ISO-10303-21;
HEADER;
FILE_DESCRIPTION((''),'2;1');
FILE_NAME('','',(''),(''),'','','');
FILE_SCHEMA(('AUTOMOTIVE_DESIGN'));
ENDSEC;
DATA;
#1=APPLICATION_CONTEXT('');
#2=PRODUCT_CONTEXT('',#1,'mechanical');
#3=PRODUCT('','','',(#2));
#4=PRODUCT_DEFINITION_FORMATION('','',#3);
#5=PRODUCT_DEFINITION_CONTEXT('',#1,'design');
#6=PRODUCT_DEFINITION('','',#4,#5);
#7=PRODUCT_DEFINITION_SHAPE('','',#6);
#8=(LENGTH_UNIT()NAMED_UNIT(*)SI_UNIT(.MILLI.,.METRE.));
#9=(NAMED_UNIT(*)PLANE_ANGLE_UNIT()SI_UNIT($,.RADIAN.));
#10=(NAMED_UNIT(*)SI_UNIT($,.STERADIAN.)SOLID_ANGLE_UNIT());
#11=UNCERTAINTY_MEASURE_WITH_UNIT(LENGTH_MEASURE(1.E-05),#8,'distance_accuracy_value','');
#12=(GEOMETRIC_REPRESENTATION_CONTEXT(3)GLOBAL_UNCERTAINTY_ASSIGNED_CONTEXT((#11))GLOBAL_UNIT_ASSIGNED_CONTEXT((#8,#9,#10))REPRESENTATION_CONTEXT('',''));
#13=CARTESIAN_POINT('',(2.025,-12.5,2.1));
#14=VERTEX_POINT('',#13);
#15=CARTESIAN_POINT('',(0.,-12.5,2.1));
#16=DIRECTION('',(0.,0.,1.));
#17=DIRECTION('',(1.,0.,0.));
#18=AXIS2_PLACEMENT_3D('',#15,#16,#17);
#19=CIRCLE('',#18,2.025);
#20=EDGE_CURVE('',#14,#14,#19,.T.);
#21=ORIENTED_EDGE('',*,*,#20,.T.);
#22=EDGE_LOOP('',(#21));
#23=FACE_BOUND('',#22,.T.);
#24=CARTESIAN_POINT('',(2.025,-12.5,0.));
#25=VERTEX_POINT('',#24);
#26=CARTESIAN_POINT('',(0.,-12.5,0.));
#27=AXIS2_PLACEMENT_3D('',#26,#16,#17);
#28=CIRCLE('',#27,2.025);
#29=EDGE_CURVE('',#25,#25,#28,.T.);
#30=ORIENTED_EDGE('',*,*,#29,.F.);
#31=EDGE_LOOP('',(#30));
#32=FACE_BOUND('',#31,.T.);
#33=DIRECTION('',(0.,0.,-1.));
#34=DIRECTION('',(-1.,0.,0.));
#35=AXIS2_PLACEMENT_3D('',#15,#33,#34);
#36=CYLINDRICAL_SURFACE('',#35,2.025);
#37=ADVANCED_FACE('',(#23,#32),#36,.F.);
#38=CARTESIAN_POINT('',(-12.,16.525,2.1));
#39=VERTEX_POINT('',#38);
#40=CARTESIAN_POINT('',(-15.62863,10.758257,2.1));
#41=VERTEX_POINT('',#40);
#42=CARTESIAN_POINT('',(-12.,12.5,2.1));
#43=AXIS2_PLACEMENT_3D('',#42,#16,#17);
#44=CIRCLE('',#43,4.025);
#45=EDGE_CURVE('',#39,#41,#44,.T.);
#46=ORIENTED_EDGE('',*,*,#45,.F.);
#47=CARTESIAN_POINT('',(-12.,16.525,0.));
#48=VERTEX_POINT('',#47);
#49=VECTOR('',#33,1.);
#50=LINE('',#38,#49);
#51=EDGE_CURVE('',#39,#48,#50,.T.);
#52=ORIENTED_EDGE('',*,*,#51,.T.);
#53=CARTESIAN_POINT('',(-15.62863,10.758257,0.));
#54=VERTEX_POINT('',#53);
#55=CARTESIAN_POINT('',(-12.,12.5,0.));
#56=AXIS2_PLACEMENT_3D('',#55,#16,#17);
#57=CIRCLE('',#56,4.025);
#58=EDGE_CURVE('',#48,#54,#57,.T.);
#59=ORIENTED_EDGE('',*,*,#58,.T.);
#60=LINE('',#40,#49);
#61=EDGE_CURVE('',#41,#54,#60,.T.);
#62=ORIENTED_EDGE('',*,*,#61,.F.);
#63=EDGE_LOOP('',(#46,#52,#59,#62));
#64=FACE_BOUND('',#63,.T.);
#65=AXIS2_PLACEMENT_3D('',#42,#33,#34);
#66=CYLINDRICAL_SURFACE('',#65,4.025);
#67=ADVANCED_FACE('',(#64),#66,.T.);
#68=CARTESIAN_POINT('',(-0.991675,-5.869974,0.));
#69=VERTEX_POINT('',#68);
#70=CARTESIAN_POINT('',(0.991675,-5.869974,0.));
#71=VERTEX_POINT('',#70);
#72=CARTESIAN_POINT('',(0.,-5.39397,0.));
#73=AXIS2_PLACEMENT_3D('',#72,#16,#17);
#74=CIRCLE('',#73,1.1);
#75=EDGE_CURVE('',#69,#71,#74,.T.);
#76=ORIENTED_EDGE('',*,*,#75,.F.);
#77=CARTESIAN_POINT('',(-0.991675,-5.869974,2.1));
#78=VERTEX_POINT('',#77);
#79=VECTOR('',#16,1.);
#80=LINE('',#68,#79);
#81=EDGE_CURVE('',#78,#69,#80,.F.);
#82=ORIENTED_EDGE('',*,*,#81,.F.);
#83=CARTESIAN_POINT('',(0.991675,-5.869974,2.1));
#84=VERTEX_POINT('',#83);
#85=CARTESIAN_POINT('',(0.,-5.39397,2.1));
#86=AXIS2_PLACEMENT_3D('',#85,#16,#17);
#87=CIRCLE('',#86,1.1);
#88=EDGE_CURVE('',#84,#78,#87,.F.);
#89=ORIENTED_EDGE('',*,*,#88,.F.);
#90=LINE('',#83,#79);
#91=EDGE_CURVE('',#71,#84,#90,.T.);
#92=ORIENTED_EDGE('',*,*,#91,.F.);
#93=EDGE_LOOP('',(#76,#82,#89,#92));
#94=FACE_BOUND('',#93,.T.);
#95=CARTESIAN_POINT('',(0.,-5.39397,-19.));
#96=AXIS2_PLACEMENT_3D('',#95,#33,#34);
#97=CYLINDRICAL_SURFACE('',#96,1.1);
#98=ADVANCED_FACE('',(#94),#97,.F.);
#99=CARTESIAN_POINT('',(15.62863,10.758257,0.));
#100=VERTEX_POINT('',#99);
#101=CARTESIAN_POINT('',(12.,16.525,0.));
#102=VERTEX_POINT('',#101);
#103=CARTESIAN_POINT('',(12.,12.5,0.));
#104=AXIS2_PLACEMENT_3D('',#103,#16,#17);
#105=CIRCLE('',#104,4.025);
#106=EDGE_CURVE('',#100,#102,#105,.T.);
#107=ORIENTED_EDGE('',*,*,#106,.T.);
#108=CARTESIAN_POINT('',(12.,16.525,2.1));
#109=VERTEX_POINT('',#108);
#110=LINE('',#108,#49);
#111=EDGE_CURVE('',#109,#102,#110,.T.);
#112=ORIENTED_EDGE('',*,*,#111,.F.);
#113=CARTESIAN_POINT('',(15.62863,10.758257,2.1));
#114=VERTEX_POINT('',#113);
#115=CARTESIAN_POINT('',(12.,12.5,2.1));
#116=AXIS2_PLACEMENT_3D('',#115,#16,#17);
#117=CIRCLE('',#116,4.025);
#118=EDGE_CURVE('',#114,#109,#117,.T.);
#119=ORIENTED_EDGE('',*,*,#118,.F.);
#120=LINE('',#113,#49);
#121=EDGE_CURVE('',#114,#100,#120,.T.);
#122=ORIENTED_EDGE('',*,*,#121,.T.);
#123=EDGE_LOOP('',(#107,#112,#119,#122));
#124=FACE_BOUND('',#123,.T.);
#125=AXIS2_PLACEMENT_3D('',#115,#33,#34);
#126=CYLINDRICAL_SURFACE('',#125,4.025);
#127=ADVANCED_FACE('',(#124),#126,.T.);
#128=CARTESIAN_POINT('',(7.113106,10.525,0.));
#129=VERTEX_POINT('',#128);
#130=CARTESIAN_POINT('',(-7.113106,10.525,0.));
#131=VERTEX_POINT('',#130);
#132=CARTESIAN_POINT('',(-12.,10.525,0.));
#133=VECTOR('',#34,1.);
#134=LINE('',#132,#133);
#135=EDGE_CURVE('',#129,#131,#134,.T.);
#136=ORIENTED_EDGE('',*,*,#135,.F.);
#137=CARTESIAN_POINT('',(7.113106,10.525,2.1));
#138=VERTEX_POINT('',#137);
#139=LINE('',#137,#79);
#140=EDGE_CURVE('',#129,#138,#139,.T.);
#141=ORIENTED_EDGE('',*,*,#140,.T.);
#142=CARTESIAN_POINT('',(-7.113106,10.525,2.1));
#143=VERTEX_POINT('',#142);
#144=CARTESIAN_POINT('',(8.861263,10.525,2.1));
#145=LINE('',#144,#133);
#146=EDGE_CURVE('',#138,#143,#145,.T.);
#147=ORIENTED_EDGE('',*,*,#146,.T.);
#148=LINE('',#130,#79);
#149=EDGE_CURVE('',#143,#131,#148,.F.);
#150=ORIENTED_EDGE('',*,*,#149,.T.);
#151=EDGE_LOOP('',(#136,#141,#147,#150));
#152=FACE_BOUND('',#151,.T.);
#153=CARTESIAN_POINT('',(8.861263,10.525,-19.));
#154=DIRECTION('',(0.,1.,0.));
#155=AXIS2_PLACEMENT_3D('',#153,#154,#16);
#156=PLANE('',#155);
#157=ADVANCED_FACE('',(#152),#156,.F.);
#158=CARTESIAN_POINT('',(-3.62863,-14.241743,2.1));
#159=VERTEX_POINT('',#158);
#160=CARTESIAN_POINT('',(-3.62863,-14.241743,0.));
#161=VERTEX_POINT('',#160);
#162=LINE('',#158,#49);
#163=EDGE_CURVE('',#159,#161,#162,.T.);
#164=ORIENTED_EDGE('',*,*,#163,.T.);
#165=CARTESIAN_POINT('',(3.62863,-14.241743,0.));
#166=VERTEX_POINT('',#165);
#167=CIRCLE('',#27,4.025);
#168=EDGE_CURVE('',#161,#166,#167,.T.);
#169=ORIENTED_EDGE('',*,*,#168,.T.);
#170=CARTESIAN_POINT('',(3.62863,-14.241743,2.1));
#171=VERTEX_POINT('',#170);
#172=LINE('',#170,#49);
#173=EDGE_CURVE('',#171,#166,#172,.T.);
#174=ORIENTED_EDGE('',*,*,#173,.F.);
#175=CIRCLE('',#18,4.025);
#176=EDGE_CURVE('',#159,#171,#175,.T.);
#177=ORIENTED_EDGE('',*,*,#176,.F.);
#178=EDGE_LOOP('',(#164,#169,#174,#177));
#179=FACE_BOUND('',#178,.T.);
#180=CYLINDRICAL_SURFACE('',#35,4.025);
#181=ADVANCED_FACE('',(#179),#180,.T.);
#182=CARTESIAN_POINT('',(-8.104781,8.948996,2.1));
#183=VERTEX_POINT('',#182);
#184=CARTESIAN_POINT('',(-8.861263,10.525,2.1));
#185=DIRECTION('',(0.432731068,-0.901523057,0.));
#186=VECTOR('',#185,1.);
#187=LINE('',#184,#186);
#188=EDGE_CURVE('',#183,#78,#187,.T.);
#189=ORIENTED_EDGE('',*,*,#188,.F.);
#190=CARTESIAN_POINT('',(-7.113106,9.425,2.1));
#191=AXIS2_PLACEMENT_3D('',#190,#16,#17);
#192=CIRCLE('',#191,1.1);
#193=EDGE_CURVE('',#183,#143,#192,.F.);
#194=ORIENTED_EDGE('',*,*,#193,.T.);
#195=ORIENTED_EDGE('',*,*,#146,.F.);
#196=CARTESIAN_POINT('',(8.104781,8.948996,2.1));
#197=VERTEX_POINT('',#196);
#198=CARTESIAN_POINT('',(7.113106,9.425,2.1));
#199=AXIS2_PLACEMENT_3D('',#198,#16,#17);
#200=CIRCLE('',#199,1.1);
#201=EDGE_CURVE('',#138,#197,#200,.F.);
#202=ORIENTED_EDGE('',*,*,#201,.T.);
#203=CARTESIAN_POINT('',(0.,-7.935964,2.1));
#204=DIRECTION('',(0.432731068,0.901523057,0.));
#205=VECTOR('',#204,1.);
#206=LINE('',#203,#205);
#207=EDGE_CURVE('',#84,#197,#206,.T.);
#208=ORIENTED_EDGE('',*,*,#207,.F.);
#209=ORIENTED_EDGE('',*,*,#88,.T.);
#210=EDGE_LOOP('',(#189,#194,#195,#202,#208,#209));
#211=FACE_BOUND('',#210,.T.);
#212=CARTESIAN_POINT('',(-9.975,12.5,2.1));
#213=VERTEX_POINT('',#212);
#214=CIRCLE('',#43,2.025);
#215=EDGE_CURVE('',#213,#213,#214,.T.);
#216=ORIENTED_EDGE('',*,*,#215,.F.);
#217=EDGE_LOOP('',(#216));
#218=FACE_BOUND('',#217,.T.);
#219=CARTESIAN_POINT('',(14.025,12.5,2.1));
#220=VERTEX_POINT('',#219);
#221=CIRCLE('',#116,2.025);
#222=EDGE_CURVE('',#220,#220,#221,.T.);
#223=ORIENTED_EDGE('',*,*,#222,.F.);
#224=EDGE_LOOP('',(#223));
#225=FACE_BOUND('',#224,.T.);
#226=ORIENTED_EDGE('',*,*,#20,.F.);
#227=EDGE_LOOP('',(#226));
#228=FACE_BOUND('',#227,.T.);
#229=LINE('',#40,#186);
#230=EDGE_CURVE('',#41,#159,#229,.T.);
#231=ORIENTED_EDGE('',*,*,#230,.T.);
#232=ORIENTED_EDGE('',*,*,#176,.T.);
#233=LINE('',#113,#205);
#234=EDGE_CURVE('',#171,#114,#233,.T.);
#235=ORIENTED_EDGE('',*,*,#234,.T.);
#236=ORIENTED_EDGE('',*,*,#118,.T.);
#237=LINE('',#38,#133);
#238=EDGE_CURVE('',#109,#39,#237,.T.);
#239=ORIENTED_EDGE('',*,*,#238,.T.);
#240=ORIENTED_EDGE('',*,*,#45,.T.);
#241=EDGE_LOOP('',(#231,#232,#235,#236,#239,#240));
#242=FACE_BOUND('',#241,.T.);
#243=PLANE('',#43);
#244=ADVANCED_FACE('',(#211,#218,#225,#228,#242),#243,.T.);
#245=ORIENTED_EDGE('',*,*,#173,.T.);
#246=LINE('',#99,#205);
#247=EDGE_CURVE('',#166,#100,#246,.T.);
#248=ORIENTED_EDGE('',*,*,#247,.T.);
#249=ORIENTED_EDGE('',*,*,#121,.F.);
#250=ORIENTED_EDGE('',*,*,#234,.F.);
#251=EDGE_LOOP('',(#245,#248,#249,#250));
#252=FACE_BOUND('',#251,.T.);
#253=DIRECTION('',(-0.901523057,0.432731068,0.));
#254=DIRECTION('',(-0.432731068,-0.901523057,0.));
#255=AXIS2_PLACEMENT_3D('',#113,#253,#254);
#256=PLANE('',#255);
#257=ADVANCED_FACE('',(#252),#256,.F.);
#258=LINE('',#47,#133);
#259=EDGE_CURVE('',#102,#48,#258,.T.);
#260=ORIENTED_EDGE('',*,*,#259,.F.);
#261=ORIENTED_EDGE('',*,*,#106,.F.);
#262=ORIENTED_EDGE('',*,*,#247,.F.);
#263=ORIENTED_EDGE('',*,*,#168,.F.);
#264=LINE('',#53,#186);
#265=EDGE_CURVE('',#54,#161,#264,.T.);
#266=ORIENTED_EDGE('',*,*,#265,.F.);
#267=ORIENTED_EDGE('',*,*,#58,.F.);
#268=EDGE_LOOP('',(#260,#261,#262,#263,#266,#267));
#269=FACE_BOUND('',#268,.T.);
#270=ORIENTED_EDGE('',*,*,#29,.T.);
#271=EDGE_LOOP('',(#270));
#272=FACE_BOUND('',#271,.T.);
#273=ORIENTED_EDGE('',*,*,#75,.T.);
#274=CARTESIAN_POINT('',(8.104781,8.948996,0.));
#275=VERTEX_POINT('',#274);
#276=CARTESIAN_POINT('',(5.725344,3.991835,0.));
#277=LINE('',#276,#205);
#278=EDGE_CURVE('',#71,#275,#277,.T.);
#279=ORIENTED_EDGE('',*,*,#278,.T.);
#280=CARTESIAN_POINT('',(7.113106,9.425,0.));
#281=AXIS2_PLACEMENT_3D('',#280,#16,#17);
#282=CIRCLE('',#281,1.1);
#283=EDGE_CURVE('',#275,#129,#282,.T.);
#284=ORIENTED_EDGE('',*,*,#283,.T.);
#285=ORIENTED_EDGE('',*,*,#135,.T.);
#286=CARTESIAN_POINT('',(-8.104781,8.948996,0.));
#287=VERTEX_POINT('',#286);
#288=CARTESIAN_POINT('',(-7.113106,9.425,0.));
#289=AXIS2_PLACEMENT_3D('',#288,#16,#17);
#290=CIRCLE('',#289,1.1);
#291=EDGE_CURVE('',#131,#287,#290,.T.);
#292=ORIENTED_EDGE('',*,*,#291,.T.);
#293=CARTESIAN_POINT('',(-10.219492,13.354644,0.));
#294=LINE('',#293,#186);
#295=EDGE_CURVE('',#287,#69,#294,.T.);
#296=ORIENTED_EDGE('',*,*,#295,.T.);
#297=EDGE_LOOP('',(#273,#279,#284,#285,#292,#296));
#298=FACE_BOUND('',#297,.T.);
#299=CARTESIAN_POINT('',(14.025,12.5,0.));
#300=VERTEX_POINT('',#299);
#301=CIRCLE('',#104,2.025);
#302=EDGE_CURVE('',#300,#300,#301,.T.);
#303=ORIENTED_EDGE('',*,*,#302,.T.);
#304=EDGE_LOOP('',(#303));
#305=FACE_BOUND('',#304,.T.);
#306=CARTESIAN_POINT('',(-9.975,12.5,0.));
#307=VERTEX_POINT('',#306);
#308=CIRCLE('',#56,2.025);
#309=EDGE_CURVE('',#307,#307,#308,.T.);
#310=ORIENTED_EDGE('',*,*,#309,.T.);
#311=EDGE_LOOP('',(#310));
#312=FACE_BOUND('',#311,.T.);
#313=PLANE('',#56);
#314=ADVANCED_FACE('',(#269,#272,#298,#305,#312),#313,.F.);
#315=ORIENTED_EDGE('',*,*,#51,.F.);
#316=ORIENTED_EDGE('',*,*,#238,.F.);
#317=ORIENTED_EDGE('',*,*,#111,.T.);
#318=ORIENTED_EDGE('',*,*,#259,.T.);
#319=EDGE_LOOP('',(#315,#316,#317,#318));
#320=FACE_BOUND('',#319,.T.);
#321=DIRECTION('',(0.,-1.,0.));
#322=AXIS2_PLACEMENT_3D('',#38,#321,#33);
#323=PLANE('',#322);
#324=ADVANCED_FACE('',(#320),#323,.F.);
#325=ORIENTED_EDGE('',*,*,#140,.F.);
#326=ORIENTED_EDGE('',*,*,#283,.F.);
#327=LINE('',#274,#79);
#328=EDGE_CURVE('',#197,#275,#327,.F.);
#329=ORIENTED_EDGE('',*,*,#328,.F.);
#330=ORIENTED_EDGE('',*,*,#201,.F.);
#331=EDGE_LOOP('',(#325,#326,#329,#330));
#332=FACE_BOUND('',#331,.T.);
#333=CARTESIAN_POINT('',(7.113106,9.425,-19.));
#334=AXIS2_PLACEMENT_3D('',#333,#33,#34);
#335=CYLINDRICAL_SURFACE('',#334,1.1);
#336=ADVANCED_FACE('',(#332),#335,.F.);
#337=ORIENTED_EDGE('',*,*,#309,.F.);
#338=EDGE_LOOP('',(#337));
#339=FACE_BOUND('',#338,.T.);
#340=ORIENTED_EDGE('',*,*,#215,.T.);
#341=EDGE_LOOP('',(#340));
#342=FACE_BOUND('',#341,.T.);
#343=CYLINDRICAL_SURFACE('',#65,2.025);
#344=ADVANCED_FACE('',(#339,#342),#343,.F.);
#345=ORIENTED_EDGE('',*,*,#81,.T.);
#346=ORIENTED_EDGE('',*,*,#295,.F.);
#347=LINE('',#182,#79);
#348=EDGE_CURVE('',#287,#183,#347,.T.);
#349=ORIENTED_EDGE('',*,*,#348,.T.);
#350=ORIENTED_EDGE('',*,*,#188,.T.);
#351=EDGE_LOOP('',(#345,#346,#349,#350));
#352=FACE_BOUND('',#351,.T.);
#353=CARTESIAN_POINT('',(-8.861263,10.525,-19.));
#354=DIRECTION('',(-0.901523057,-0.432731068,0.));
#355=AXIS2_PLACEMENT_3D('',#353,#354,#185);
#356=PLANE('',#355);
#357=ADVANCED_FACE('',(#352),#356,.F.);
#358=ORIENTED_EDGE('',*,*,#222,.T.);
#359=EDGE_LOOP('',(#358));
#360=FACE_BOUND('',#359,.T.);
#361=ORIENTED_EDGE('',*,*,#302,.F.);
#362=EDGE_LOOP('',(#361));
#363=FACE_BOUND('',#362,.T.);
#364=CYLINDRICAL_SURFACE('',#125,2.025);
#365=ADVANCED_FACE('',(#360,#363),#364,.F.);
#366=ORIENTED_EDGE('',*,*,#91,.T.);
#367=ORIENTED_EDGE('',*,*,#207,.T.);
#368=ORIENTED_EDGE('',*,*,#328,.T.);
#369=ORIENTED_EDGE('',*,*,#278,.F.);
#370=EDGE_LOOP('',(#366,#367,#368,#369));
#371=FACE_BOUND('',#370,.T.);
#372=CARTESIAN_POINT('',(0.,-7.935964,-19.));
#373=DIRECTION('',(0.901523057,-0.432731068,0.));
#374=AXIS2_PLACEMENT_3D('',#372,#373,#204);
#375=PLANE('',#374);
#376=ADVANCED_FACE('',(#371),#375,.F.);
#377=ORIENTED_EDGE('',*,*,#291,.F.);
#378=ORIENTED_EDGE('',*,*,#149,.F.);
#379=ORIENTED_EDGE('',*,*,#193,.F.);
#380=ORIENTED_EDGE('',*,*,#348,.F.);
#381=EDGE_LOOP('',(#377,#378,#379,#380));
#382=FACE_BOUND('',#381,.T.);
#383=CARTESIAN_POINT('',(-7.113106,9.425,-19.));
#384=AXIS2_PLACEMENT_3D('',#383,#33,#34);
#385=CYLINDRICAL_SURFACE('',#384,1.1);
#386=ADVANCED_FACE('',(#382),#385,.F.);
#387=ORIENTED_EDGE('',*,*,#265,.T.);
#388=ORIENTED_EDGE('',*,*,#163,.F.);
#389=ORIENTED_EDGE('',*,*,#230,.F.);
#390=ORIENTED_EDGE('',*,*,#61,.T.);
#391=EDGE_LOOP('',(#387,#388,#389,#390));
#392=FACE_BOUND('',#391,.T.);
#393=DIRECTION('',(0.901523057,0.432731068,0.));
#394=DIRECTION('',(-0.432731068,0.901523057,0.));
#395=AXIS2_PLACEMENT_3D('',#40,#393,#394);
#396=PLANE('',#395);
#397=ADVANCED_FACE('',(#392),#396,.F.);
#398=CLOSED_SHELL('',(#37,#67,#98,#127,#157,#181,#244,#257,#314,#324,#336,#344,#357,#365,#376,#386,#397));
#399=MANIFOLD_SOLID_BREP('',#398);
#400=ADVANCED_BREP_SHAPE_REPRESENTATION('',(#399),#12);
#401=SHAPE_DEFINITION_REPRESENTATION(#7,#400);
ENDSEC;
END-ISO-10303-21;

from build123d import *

# Parameters (mm, degrees)
SKETCH_1_R          = 2.025
EXTRUDE_1_DEPTH     = 2.1
CUT_EXTRUDE_1_DEPTH = 21.1
FILLET_1_R          = 1.1


with BuildPart() as part:
    # 草图1 → 凸台-拉伸1 (new body)
    with BuildSketch(Plane.XY):
        with BuildLine():
            Line((-12, 16.525), (12, 16.525))
            ThreePointArc((12, 16.525), (15.406694788, 14.643608085), (15.628630306, 10.758257453))
            Line((15.628630306, 10.758257453), (3.628630306, -14.241742547))
            ThreePointArc((3.628630306, -14.241742547), (0, -16.525), (-3.628630306, -14.241742547))
            Line((-3.628630306, -14.241742547), (-15.628630306, 10.758257453))
            ThreePointArc((-15.628630306, 10.758257453), (-15.406694788, 14.643608085), (-12, 16.525))
        make_face()
        with Locations((-12, 12.5)):
            Circle(SKETCH_1_R, mode=Mode.SUBTRACT)
        with Locations((12, 12.5)):
            Circle(SKETCH_1_R, mode=Mode.SUBTRACT)
        with Locations((0, -12.5)):
            Circle(SKETCH_1_R, mode=Mode.SUBTRACT)
    extrude(amount=EXTRUDE_1_DEPTH)

    # 草图2 → 切除-拉伸1 (cut)
    with BuildSketch(Plane.XY.offset(2.1)):
        Polygon((-8.861262909, 10.525), (0, -7.935964395), (8.861262909, 10.525), align=None)
    extrude(amount=-CUT_EXTRUDE_1_DEPTH, mode=Mode.SUBTRACT)

    # 圆角1
    fillet_1_edges = [part.edges().sort_by_distance(p)[0] for p in [
        (-8.861262909, 10.525, 1.05),
        (8.861262909, 10.525, 1.05),
        (0, -7.935964395, 1.05),
    ]]
    fillet(fillet_1_edges, radius=FILLET_1_R)


solid = part.part
